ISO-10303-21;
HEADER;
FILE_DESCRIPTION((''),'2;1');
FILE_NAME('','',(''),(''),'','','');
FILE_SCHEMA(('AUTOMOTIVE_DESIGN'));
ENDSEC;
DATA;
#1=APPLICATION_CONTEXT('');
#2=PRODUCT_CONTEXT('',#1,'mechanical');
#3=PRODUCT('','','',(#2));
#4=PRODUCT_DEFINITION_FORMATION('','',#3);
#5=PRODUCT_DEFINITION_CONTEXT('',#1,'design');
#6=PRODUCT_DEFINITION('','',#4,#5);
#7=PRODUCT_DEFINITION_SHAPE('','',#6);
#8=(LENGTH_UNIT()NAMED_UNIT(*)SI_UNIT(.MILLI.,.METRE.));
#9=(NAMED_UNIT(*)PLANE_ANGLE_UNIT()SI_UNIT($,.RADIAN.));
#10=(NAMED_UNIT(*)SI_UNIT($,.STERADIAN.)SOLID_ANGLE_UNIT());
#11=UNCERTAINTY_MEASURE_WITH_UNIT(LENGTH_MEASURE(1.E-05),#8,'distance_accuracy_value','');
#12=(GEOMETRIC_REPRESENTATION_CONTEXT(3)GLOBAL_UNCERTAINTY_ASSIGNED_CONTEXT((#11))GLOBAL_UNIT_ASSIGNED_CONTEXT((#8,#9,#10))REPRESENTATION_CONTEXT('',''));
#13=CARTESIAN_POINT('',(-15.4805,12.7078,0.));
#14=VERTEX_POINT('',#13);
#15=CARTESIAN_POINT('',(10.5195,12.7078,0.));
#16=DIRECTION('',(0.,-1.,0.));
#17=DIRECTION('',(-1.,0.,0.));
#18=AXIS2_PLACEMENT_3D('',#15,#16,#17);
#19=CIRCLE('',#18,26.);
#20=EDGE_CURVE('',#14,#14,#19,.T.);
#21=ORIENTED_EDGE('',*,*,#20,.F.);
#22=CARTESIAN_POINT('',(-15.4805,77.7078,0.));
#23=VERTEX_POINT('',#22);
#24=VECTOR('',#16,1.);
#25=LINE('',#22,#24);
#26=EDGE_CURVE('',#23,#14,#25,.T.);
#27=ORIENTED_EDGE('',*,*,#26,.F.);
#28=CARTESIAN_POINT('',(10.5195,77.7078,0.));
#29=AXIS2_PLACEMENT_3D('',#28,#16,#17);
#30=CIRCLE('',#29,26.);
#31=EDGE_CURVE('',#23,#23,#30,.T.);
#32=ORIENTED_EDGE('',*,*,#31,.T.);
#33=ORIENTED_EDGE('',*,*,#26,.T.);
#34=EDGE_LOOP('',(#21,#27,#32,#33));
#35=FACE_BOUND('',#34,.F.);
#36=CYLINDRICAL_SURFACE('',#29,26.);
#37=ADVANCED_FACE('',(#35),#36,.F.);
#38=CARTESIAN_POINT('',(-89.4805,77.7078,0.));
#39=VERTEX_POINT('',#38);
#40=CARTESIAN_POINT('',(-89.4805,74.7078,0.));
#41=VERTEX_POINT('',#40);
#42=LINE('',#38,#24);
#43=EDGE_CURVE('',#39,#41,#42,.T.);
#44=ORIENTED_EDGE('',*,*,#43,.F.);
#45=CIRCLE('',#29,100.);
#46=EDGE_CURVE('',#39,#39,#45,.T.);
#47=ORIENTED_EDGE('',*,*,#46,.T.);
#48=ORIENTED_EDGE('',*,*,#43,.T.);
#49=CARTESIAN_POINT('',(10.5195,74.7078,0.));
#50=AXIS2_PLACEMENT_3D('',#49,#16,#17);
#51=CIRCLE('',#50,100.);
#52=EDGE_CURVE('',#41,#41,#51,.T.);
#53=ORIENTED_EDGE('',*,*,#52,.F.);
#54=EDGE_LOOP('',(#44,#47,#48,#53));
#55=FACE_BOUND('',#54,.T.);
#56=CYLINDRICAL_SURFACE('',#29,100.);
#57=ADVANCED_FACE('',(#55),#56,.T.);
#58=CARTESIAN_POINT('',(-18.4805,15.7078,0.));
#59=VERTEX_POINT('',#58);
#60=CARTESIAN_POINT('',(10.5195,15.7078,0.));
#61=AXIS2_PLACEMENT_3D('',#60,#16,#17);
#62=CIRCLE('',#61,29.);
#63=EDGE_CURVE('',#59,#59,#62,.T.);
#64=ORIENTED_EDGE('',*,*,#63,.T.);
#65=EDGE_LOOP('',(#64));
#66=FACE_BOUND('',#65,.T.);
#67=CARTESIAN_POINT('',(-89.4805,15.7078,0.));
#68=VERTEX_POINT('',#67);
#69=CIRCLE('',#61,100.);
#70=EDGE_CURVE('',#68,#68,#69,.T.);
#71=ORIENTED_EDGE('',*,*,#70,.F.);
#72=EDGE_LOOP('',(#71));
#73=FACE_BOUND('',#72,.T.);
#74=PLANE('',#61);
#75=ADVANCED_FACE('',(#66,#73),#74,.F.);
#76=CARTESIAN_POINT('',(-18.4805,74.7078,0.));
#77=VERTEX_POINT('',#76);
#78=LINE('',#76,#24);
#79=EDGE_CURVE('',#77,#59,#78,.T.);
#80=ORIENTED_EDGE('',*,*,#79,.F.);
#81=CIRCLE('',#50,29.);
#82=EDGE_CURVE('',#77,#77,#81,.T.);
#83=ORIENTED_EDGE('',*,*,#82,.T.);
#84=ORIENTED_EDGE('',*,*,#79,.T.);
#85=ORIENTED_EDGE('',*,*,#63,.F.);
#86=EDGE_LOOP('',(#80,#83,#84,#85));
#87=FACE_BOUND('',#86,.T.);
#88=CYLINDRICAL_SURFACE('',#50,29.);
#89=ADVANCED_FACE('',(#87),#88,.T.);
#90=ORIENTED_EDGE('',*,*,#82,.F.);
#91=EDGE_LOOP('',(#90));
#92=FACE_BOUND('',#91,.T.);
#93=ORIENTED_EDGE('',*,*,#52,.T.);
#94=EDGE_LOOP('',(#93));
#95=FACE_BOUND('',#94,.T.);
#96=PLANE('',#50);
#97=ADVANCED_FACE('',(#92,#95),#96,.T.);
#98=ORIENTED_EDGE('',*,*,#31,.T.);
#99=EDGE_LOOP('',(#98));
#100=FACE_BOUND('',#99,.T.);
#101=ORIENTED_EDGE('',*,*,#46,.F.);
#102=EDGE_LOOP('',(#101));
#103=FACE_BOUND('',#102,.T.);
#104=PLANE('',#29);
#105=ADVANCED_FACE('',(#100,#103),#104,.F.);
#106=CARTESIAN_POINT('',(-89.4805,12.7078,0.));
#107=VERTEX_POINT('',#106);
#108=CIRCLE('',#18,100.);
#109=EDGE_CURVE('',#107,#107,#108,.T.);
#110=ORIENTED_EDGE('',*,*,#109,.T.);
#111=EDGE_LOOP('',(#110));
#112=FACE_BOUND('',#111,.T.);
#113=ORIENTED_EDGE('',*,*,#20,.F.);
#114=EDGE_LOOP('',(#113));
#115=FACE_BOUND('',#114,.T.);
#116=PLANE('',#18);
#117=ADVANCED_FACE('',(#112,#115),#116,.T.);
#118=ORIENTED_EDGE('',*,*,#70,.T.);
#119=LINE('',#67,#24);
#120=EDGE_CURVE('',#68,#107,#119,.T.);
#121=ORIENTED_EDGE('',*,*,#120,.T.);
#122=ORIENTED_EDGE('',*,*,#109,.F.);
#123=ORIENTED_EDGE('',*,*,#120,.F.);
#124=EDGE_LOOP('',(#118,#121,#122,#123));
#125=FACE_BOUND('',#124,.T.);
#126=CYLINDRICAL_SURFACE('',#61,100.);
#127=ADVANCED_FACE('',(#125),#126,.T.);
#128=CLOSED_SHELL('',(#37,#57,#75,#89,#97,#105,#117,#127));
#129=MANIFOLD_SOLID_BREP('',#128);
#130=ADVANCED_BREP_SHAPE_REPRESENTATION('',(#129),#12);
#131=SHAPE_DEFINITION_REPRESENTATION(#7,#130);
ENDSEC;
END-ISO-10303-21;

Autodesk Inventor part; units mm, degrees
ref_plane "YZ Plane" through (0, 0, 0) normal (1, 0, 0) x (0, 1, 0)
ref_plane "XZ Plane" through (0, 0, 0) normal (0, 1, 0) x (-1, 0, 0)
ref_plane "XY Plane" through (0, 0, 0) normal (0, 0, 1) x (1, 0, 0)
sketch "Szkic1" plane through (0, 0, 0) normal (0, 0, 1) x (1, 0, 0)
  line L0 (10.5195, 87.461) -> (10.5195, -76.7273)
  line L1 (-15.4805, 77.7078) -> (-89.4805, 77.7078)
  line L2 (-89.4805, 77.7078) -> (-89.4805, 74.7078)
  line L3 (-89.4805, 74.7078) -> (-18.4805, 74.7078)
  line L4 (-18.4805, 74.7078) -> (-18.4805, 15.7078)
  line L5 (-18.4805, 15.7078) -> (-89.4805, 15.7078)
  line L6 (-89.4805, 15.7078) -> (-89.4805, 12.7078)
  line L7 (-89.4805, 12.7078) -> (-15.4805, 12.7078)
  line L8 (-15.4805, 77.7078) -> (-15.4805, 12.7078)
  point P0 (0, 0)
  dimension "d0" = 65
  dimension "d1" = 52
  dimension "d2" = 58
  dimension "d3" = 3
  dimension "d4" = 3
  dimension "d5" = 200
revolve "Obrót1" add sketch "Szkic1" angle 360 about axis through (10.5195, 87.461, 0) along (0, -1, 0)
properties part number "szpula"
